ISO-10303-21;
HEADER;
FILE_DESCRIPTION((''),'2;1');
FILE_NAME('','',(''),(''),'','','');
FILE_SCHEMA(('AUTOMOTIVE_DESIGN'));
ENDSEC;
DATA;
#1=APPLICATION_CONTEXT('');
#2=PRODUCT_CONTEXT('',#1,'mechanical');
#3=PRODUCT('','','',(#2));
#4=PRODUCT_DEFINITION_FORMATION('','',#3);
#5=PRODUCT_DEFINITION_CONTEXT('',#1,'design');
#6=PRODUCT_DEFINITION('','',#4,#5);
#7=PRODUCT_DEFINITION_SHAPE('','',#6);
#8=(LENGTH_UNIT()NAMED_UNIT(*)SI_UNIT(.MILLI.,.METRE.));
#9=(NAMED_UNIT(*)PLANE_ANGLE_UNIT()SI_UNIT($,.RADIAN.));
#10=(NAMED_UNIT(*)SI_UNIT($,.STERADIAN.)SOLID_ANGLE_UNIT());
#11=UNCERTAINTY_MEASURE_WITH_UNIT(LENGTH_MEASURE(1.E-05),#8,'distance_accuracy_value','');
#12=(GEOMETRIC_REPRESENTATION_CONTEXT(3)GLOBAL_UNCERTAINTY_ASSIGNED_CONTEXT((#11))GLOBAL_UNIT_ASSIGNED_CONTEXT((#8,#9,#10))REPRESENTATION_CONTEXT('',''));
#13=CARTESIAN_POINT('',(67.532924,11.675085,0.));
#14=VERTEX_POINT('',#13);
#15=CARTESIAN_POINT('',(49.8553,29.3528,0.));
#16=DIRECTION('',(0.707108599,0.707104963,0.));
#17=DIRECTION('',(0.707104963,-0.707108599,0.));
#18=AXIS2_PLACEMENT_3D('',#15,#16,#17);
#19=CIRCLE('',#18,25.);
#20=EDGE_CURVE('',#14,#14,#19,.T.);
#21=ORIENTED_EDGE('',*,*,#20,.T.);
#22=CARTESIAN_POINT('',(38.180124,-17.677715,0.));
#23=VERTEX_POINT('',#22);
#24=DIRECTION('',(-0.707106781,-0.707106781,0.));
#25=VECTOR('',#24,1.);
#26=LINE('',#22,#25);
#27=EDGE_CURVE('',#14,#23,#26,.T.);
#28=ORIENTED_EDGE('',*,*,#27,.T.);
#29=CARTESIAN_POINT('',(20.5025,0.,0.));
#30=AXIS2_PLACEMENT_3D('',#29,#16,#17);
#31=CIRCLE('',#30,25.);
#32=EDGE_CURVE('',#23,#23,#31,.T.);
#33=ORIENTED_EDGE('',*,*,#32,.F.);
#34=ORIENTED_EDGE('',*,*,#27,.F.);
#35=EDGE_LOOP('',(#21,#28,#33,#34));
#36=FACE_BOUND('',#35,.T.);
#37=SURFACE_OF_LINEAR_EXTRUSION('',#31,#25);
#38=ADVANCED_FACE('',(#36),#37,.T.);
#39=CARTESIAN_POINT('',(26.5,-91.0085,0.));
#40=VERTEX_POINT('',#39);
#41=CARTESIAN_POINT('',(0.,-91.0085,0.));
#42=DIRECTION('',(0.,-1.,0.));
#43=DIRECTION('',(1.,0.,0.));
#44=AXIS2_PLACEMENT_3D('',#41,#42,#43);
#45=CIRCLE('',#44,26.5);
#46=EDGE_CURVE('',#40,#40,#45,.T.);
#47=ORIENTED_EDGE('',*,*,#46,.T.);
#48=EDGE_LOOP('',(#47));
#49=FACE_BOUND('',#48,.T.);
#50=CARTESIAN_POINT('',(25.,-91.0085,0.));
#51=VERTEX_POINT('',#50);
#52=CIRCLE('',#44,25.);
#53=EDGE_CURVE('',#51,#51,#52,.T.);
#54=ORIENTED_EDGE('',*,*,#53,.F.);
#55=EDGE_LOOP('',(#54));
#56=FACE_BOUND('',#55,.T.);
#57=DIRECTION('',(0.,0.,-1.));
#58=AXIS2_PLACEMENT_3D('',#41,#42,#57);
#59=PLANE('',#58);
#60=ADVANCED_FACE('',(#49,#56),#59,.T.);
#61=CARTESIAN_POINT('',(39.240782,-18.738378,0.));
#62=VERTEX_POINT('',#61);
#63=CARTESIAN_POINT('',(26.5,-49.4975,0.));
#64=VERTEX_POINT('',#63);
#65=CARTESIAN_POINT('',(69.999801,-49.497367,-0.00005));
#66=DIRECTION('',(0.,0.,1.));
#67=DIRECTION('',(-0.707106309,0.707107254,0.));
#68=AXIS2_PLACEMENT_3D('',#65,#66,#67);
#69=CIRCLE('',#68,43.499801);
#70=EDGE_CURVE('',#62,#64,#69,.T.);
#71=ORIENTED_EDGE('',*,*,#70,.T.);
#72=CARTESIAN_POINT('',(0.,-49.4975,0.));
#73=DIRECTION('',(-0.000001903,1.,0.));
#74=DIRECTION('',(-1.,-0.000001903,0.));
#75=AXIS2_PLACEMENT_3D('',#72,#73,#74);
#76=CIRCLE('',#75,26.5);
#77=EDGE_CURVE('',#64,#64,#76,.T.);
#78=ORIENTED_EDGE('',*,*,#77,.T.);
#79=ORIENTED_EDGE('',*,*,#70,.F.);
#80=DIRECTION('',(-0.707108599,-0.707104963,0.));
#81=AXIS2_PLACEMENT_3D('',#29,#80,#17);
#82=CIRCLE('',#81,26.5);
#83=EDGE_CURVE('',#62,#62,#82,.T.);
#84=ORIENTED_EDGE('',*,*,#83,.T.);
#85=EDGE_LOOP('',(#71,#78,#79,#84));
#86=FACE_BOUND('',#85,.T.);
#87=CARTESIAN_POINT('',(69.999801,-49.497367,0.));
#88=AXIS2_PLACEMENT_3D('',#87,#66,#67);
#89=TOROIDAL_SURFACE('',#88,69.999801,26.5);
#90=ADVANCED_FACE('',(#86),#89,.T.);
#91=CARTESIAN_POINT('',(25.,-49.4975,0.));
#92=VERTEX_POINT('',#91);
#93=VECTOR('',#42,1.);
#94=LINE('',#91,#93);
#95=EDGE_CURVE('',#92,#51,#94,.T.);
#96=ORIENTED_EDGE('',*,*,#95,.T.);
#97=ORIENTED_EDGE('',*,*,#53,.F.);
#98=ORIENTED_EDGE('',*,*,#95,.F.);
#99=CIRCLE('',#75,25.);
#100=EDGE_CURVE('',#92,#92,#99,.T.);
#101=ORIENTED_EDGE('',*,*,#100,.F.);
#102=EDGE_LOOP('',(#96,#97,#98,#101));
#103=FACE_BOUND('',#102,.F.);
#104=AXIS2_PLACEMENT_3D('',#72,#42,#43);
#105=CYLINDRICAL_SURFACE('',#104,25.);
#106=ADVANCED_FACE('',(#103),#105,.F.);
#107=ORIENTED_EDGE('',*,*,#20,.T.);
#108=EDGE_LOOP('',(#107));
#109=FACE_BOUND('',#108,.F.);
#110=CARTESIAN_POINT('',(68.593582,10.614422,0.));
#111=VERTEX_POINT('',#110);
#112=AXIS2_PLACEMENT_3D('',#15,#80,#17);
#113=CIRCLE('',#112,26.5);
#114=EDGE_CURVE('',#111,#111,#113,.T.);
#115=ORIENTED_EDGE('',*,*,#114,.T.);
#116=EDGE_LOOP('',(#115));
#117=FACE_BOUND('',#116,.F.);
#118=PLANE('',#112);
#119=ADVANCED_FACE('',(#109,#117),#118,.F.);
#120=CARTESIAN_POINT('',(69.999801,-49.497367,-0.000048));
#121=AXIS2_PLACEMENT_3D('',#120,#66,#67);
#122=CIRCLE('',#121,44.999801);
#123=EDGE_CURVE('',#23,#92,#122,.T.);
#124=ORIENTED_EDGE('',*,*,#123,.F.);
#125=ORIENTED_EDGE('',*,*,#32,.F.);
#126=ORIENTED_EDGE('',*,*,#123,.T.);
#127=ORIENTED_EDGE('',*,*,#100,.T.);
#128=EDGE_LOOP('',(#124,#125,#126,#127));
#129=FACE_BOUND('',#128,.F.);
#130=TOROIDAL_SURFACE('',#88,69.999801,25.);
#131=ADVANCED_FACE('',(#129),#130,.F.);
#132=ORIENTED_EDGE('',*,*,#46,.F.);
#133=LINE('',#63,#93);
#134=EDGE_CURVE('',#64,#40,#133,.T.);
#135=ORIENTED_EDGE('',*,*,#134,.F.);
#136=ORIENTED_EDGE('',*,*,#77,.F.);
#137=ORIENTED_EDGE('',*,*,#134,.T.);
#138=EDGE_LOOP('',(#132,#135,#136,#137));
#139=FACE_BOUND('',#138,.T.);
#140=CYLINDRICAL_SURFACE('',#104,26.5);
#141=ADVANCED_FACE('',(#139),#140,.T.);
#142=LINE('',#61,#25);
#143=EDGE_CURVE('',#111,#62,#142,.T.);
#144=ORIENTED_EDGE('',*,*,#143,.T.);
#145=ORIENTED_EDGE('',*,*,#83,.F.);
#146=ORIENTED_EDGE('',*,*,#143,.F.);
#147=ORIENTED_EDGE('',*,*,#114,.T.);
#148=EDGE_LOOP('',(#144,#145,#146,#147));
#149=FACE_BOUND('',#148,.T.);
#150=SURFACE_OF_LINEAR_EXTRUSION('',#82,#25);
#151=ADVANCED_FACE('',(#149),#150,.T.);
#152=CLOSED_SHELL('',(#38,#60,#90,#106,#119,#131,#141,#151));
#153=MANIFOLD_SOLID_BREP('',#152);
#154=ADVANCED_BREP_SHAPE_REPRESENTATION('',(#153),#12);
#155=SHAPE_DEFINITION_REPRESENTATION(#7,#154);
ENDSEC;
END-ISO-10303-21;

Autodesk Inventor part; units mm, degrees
ref_plane "YZ Plane" through (0, 0, 0) normal (1, 0, 0) x (0, 1, 0)
ref_plane "XZ Plane" through (0, 0, 0) normal (0, 1, 0) x (-1, 0, 0)
sketch "Szkic6" plane through (0, 0, 0) normal (0, 0, 1) x (1, 0, 0)
  line L0 (-29.6067, 0) -> (35.2678, 0) construction
  line L1 (0, 42.3419) -> (0, -58.3726) construction
  arc A0 (20.5025, 0) -> (0, -49.4975) centre (70, -49.4975) ccw
  line L2 (0, -49.4975) -> (70, -49.4975) construction
  line L3 (70, -49.4975) -> (23.6611, -3.1586) construction
  line L4 (20.5025, 0) -> (49.8553, 29.3528)
  line L5 (0, -49.4975) -> (0, -91.0085)
  point P0 (0, 0)
  dimension "d24" = 70
  dimension "d31" = 45
  dimension "d36" = 41.5111
  dimension "d37" = 41.5111
ref_plane "Płaszczyzna konstrukcyjna2" through (0, -49.4975, 0) normal (0, -1, 0) x (1, 0, 0)
sketch "Szkic8" plane through (0, -49.4975, 0) normal (0, -1, 0) x (1, 0, 0)
  circle A0 centre (0, 0) radius 26.5
  circle A1 centre (0, 0) radius 25
  dimension "d32" = 53
  dimension "d33" = 1.5
sweep "Przeciągnięcie2" add profiles "Szkic8" path "Szkic6"
equation "\"d32\" = OD"
equation "\"d33\" = THK"
equation "\"d24\" = R"
equation "\"d31\" = KAT"
equation "\"d36\" = PROSTKA"
equation "\"d37\" = PROSTKA"
equation "\"SzerokośćGięciaPodcięcia\" = Grubość"
equation "\"RozmiarPodcięciaNarożnika\" = 4 * Grubość"
equation "\"PromieńPrzejścia\" = PromieńGięcia"
equation "\"Rozmiar_promienia_Jacobiego\" = PromieńGięcia"
equation "\"Wielk_odstępu\" = Grubość"
equation "\"d2\" = PromieńGięcia"
equation "\"d23\" = PromieńGięcia"
equation "\"R\" = 70"
equation "\"OD\" = 53"
equation "\"THK\" = 1.5"
equation "\"KAT\" = 45deg"
equation "\"PROSTKA\" = 41.51106"
equation "\"Grubość\" = 1.5"
equation "\"PromieńGięcia\" = 3"
properties part number "Kolano 45° ø53x1,5 R70" material "304L"
